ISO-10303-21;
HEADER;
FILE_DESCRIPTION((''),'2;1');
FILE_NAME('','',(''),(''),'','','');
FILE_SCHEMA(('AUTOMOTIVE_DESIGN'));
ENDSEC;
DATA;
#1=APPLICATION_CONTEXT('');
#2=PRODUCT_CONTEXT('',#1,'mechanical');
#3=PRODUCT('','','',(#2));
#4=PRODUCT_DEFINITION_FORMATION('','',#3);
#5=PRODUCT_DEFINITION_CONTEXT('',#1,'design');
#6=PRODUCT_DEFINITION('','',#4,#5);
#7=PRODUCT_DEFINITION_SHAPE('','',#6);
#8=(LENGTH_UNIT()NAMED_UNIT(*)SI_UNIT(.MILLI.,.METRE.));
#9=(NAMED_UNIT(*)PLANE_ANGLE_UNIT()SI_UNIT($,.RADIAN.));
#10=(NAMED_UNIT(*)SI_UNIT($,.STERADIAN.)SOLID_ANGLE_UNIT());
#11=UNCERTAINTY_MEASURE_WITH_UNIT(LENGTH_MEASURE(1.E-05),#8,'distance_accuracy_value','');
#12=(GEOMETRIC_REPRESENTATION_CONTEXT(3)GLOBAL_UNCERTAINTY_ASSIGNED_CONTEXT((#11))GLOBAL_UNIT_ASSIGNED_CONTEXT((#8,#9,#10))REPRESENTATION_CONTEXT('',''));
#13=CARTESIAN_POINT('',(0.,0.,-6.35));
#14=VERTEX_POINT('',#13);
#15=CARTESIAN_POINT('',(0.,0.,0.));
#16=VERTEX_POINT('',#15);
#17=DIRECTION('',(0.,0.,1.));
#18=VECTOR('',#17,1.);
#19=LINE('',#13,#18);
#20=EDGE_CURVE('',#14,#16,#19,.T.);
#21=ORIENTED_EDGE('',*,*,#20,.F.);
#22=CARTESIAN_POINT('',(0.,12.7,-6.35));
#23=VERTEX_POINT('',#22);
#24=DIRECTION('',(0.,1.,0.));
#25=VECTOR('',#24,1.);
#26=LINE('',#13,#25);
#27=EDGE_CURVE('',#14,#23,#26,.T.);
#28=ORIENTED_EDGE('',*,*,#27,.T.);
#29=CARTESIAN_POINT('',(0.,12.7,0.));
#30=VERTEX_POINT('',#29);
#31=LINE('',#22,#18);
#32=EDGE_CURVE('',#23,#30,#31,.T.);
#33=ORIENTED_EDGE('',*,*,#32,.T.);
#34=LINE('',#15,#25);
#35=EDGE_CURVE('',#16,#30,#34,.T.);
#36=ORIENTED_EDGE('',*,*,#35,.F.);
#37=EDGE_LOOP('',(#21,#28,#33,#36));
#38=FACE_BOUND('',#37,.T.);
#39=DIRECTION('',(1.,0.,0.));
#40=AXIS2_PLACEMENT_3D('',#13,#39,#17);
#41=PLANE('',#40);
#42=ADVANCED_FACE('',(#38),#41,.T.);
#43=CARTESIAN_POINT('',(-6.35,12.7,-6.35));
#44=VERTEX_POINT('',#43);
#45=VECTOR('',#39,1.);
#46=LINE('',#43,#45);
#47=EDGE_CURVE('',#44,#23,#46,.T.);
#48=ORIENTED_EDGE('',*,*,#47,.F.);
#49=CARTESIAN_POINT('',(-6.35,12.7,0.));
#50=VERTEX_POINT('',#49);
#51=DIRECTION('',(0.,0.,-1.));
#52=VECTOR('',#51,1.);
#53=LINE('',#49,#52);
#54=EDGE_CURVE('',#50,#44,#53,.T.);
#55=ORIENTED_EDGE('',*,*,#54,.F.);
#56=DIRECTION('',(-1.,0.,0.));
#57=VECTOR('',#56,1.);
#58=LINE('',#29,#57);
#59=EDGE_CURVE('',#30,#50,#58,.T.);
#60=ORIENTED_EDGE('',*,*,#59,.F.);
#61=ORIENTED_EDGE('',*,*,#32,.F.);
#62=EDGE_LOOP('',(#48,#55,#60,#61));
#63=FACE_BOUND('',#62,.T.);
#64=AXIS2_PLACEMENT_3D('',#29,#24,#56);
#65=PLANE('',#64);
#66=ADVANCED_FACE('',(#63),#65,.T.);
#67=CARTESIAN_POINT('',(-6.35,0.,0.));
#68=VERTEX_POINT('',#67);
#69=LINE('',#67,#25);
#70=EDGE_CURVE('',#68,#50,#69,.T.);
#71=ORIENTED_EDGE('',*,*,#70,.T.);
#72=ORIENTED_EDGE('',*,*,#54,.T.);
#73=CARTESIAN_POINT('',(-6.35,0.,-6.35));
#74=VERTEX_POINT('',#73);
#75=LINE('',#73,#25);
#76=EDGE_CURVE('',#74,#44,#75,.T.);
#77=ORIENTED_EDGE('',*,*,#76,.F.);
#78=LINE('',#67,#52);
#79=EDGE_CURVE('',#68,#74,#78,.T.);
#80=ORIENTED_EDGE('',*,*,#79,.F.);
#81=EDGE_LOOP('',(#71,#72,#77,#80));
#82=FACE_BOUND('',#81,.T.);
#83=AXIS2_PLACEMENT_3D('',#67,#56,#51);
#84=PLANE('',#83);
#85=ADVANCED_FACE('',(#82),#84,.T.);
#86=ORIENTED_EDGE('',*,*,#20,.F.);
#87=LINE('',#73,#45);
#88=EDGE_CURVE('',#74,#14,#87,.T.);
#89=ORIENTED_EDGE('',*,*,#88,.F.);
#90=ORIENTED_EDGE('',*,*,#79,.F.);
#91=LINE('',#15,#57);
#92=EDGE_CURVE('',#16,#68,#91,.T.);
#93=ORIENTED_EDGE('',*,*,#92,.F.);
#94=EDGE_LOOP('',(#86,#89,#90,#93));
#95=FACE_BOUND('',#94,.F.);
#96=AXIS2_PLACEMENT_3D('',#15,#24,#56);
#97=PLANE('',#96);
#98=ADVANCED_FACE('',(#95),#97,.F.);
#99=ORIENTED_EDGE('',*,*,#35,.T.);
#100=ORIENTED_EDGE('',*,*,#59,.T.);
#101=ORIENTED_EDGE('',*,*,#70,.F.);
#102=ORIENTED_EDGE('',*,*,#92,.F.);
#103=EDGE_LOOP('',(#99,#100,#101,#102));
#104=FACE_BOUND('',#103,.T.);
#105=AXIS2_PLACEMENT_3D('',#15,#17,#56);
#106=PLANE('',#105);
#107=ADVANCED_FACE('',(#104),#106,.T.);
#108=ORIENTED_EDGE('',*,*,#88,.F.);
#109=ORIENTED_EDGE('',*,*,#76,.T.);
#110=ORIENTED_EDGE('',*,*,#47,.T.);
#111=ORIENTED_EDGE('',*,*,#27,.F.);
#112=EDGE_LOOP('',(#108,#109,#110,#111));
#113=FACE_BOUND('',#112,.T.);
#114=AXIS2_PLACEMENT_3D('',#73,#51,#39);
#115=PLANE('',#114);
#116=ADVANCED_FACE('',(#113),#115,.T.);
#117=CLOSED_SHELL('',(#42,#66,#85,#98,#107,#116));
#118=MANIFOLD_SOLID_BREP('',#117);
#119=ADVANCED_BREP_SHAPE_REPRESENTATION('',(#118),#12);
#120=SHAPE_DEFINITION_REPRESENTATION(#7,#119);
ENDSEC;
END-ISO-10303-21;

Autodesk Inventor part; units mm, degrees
ref_plane "YZ Plane" through (0, 0, 0) normal (1, 0, 0) x (0, 1, 0)
ref_plane "XZ Plane" through (0, 0, 0) normal (0, 1, 0) x (-1, 0, 0)
ref_plane "XY Plane" through (0, 0, 0) normal (0, 0, 1) x (1, 0, 0)
sketch "Sketch1" plane through (0, 0, 0) normal (0, 1, 0) x (-1, 0, 0)
  line L0 (0, 0) -> (6.35, 0)
  line L1 (6.35, 0) -> (6.35, -6.35)
  line L2 (6.35, -6.35) -> (0, -6.35)
  line L3 (0, -6.35) -> (0, 0)
  dimension "d0" = 6.35
  dimension "d1" = 6.35
extrude "Extrusion1" add sketch "Sketch1" along normal blind 12.7
properties part number "magSlotPlugs03" material "Wood (Maple)"
